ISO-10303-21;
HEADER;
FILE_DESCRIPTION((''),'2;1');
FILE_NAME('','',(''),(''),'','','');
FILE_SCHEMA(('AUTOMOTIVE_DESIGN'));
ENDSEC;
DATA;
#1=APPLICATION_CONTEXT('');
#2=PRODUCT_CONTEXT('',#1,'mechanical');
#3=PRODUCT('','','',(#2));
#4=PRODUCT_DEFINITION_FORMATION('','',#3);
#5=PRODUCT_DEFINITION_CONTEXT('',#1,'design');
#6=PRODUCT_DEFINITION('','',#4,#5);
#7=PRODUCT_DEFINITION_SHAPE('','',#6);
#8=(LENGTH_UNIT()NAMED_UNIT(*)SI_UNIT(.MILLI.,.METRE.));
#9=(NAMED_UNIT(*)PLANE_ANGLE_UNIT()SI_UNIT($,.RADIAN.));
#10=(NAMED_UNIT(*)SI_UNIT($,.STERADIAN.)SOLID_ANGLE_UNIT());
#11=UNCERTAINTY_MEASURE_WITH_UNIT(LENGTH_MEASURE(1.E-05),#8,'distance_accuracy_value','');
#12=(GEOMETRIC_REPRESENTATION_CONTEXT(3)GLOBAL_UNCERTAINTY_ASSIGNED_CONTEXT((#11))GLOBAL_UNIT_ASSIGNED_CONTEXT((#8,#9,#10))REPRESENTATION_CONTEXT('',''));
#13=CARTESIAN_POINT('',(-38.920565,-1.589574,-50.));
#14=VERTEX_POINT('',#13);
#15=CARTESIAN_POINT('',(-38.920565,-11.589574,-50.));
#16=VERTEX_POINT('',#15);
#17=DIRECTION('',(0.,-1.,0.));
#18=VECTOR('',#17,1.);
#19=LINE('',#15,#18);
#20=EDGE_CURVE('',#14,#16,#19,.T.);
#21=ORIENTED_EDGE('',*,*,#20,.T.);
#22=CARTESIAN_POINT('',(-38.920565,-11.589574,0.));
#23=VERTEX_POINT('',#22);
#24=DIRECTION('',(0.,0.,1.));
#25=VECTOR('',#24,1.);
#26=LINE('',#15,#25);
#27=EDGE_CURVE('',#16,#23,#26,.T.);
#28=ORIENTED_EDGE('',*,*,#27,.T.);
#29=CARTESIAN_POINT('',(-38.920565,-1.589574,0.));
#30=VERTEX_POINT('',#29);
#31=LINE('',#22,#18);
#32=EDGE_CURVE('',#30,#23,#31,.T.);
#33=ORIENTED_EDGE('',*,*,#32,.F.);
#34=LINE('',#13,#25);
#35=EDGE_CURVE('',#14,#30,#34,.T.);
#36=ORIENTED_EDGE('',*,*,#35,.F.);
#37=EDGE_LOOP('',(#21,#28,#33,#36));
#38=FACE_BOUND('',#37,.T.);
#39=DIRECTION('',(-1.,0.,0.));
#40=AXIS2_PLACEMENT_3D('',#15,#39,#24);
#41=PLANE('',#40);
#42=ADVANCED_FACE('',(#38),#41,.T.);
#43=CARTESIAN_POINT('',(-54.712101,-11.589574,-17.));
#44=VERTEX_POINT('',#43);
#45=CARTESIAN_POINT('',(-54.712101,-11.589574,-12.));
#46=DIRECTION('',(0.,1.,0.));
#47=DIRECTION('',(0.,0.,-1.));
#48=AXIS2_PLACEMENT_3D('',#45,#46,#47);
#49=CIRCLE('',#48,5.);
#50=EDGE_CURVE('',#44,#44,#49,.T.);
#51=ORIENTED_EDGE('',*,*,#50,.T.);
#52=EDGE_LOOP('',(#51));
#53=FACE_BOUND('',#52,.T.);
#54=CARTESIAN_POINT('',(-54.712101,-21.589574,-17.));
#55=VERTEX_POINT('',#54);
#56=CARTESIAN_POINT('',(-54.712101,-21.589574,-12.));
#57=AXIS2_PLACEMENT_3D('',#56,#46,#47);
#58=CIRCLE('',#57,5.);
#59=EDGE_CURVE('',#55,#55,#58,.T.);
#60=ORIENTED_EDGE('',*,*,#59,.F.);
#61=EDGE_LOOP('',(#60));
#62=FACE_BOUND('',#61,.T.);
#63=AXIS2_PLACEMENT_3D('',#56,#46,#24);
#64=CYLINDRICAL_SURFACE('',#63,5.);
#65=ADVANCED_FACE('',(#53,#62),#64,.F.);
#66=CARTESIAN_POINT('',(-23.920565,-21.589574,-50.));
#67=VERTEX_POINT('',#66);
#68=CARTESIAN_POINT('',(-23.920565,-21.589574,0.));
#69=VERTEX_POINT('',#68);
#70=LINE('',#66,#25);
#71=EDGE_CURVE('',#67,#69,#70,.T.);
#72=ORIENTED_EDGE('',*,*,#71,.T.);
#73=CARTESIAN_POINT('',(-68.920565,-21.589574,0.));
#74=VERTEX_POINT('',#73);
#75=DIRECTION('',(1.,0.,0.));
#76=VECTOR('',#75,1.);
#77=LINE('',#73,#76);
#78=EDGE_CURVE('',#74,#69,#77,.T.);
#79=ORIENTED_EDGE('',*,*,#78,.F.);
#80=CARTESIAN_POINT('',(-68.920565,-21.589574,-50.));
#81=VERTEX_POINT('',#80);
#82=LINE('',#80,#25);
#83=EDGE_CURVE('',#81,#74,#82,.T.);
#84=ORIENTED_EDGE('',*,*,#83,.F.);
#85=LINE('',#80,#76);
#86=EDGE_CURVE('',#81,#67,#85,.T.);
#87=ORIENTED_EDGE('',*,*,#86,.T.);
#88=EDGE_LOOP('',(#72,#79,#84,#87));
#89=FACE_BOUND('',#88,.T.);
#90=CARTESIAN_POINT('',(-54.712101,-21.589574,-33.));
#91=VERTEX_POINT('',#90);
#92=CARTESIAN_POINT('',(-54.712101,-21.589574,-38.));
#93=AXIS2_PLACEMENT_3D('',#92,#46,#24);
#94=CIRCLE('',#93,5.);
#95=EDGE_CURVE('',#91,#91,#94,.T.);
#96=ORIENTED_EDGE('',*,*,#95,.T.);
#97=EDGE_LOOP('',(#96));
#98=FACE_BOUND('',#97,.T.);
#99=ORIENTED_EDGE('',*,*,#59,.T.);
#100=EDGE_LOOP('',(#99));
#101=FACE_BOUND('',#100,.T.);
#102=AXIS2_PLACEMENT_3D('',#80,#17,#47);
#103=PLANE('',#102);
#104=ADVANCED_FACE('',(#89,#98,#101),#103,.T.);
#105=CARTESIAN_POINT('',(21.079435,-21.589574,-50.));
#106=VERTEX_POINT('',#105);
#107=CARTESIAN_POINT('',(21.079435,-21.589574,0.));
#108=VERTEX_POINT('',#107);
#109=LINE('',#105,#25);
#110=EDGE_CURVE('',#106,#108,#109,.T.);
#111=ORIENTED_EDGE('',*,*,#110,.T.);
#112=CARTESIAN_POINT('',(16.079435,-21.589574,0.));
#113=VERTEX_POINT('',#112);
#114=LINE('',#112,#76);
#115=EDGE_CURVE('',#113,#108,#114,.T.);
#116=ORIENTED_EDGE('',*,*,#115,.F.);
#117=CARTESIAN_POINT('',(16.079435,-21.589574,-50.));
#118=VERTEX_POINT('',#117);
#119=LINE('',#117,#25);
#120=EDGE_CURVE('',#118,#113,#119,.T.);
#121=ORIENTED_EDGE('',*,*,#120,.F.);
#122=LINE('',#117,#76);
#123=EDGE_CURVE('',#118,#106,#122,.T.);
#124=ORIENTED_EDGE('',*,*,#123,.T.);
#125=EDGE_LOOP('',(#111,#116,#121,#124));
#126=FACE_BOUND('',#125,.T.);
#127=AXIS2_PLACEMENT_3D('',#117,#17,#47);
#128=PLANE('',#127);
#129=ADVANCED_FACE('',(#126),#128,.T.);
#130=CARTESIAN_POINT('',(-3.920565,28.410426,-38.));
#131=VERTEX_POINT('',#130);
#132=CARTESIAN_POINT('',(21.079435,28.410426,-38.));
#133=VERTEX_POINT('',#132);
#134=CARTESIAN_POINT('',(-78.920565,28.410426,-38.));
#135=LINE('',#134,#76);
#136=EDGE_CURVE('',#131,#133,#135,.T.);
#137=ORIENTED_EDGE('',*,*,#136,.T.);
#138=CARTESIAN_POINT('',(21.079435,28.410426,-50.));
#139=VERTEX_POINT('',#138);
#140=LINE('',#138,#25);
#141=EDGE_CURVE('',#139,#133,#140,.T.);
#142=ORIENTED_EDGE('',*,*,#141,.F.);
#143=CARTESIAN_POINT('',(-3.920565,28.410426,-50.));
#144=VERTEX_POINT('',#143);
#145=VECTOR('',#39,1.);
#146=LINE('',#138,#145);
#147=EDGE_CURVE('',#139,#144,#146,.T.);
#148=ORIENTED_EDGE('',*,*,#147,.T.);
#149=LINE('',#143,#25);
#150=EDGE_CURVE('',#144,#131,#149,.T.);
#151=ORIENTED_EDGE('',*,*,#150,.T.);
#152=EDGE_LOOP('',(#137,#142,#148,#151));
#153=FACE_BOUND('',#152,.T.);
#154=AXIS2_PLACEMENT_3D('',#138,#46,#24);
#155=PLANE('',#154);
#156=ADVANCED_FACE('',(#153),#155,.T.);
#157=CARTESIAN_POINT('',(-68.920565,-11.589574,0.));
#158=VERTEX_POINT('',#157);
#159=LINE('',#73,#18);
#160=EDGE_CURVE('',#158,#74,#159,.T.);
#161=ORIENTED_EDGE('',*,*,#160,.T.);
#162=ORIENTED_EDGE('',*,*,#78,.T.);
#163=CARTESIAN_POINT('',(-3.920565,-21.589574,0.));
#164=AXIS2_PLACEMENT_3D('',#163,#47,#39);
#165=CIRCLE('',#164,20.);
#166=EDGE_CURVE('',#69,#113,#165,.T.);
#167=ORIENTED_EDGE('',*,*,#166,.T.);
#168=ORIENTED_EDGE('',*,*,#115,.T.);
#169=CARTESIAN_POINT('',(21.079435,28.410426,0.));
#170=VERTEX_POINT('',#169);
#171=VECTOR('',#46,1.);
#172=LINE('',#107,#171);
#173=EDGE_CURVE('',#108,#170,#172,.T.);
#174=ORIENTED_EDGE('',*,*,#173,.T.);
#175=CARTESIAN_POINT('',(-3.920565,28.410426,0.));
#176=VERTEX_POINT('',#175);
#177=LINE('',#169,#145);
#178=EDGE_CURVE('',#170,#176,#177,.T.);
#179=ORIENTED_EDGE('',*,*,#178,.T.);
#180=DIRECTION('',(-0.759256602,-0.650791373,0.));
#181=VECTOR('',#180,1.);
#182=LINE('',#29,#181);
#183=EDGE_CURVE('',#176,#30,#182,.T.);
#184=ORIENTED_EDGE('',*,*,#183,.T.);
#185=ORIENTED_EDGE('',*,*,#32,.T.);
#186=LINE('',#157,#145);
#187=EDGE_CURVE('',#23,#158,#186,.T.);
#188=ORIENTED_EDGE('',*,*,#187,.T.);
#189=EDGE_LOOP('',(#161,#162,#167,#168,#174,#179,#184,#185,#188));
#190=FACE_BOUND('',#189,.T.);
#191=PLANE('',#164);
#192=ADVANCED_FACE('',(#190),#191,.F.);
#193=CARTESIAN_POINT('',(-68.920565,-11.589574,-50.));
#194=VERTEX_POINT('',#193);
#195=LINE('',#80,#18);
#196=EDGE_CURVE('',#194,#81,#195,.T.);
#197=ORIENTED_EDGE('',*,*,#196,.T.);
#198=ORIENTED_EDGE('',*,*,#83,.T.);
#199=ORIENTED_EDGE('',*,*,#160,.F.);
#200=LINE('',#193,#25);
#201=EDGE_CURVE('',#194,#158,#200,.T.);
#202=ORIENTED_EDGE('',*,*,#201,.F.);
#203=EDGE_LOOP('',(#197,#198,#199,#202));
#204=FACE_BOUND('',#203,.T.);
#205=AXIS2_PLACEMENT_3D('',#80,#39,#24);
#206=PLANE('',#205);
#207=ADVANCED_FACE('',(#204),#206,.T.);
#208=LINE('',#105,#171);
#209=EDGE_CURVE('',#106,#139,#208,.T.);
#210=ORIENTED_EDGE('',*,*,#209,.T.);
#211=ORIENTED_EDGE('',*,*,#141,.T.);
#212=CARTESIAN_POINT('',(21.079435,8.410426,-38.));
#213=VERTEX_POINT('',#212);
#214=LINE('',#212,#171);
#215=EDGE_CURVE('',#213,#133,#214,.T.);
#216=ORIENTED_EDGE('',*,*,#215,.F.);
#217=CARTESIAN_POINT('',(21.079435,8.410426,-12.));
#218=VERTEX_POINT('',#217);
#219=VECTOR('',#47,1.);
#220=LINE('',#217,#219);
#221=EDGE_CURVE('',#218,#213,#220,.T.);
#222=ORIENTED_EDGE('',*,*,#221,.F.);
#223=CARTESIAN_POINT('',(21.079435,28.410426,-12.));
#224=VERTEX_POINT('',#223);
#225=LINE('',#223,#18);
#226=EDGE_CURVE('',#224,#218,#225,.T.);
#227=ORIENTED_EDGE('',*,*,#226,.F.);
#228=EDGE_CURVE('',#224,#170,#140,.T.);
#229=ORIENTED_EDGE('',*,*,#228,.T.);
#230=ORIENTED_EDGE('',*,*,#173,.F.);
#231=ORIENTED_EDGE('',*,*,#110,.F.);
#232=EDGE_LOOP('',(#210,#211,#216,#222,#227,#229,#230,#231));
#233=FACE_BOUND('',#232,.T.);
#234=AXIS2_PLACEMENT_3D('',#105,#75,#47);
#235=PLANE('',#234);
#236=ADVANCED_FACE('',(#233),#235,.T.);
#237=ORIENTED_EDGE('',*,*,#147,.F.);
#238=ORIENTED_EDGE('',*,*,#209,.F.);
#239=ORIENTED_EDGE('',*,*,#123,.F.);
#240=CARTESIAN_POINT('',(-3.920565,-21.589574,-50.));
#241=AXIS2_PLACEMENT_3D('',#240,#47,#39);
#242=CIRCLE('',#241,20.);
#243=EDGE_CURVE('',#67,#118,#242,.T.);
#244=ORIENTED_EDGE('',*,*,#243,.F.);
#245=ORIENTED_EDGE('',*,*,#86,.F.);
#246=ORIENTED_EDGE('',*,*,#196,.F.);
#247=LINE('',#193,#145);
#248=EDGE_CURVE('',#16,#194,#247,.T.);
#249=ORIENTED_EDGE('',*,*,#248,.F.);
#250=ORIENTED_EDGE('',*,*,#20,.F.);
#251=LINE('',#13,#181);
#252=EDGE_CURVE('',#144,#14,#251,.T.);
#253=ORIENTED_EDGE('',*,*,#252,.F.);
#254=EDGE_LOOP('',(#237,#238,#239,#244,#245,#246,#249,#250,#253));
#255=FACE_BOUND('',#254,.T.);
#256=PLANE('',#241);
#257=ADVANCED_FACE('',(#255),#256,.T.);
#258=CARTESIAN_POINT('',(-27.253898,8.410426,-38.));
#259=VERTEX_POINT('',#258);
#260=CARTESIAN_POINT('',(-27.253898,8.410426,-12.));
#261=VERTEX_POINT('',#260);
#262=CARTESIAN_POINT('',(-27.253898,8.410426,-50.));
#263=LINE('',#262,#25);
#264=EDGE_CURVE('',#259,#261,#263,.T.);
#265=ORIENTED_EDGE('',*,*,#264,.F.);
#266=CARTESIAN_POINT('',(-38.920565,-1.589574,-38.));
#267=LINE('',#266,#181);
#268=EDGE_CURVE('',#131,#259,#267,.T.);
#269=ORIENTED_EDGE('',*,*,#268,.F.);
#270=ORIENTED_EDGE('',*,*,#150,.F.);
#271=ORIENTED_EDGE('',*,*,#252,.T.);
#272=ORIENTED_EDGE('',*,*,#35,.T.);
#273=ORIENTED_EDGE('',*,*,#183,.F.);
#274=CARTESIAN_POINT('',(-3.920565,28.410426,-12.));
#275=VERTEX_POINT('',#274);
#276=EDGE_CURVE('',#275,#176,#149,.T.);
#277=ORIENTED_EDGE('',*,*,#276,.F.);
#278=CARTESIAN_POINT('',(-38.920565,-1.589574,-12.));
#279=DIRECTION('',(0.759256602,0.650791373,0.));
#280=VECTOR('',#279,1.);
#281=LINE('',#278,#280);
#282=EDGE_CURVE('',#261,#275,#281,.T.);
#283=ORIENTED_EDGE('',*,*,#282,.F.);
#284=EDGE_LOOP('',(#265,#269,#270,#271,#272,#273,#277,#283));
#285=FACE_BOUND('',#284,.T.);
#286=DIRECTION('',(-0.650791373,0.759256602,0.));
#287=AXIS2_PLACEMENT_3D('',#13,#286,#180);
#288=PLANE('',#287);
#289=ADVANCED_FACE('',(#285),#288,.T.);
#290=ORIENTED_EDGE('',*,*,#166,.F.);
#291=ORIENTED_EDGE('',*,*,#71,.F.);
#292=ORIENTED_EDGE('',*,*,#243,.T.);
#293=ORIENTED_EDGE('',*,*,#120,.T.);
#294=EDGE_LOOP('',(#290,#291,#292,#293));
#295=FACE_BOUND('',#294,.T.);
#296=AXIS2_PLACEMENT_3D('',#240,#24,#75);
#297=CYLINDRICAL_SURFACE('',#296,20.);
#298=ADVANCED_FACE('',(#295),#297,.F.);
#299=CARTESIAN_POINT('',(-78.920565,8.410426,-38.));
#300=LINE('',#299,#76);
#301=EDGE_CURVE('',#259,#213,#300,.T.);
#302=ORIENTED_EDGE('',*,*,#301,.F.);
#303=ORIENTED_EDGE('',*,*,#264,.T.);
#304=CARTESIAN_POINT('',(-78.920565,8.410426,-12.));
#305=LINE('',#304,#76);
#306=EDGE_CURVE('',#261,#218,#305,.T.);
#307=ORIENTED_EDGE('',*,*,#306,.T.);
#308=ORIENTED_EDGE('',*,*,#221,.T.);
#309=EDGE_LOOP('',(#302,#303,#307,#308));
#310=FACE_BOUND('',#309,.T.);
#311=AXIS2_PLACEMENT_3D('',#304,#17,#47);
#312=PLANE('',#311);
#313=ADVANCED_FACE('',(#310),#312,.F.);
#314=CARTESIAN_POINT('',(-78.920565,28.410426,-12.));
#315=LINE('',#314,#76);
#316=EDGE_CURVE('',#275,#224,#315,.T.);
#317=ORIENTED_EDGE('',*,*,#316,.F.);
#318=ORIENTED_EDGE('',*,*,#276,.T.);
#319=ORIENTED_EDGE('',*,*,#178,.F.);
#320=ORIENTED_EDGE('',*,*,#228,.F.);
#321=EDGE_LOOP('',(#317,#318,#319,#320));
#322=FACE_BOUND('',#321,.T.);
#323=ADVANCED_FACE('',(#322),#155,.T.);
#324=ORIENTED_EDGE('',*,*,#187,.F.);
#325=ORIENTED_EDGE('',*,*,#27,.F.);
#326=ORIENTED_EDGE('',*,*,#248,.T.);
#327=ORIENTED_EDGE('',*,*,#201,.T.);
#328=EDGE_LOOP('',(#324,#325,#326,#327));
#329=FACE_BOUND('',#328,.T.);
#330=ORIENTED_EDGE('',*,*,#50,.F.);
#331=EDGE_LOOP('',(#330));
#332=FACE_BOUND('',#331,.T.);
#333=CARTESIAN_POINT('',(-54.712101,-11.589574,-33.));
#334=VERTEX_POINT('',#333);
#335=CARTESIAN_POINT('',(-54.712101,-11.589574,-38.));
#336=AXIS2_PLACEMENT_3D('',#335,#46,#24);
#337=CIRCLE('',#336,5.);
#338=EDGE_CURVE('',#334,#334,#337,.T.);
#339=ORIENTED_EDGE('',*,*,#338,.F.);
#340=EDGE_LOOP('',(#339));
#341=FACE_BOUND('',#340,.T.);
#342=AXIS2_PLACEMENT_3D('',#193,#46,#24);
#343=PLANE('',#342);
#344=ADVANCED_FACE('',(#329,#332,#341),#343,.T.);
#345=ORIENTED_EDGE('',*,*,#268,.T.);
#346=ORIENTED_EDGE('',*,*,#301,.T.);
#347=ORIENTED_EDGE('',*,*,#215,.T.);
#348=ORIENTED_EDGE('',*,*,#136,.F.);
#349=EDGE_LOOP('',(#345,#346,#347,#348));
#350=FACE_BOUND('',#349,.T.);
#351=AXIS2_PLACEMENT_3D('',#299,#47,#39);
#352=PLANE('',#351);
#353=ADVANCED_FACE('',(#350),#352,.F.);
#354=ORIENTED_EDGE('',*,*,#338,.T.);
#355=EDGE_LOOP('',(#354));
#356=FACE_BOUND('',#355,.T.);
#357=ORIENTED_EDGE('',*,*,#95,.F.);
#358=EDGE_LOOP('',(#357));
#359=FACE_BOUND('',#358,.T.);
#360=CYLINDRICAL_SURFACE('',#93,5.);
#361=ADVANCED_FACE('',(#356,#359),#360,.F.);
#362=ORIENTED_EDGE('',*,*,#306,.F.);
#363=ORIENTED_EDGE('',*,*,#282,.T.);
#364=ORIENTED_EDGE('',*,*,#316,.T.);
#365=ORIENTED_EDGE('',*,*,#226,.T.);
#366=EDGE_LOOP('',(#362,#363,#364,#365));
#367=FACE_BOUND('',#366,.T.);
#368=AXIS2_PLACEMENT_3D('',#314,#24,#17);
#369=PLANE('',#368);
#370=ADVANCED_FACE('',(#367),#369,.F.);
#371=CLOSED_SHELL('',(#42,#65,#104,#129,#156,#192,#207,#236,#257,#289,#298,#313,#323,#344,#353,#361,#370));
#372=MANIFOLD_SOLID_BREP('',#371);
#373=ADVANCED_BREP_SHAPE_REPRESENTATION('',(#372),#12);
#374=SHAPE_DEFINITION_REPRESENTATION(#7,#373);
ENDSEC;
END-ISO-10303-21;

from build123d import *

# Parameters (mm, degrees)
SALIENTE_EXTRUIR2_DEPTH = 50
CROQUIS3_R              = 5
CORTAR_EXTRUIR3_DEPTH   = 10
CROQUIS5_W              = 26
CROQUIS5_H              = 20
CORTAR_EXTRUIR4_DEPTH   = 100


with BuildPart() as part:
    # Croquis1 → Saliente-Extruir2 (new body)
    with BuildSketch(Plane.XY):
        with BuildLine():
            Line((-68.920564692, -21.589574482), (-23.920564692, -21.589574482))
            ThreePointArc((-23.920564692, -21.589574482), (-3.920564692, -1.589574482), (16.079435308, -21.589574482))
            Line((16.079435308, -21.589574482), (21.079435308, -21.589574482))
            Line((21.079435308, -21.589574482), (21.079435308, 28.410425518))
            Line((21.079435308, 28.410425518), (-3.920564692, 28.410425518))
            Line((-3.920564692, 28.410425518), (-38.920564692, -1.589574482))
            Line((-38.920564692, -1.589574482), (-38.920564692, -11.589574482))
            Line((-38.920564692, -11.589574482), (-68.920564692, -11.589574482))
            Line((-68.920564692, -11.589574482), (-68.920564692, -21.589574482))
        make_face()
    extrude(amount=-SALIENTE_EXTRUIR2_DEPTH)

    # Croquis3 → Cortar-Extruir3 (cut)
    with BuildSketch(Plane(origin=(0, -11.589574482, 0), x_dir=(1, 0, 0), z_dir=(0, 1, 0))):
        with Locations((-54.712100966, 38)):
            Circle(CROQUIS3_R)
        with Locations((-54.712100966, 12)):
            Circle(CROQUIS3_R)
    extrude(amount=-CORTAR_EXTRUIR3_DEPTH, mode=Mode.SUBTRACT)

    # Croquis5 → Cortar-Extruir4 (cut)
    with BuildSketch(Plane(origin=(21.079435308, 0, 0), x_dir=(0, 0, -1), z_dir=(1, 0, 0))):
        with Locations((25, 18.410425518)):
            Rectangle(CROQUIS5_W, CROQUIS5_H)
    extrude(amount=-CORTAR_EXTRUIR4_DEPTH, mode=Mode.SUBTRACT)


solid = part.part
